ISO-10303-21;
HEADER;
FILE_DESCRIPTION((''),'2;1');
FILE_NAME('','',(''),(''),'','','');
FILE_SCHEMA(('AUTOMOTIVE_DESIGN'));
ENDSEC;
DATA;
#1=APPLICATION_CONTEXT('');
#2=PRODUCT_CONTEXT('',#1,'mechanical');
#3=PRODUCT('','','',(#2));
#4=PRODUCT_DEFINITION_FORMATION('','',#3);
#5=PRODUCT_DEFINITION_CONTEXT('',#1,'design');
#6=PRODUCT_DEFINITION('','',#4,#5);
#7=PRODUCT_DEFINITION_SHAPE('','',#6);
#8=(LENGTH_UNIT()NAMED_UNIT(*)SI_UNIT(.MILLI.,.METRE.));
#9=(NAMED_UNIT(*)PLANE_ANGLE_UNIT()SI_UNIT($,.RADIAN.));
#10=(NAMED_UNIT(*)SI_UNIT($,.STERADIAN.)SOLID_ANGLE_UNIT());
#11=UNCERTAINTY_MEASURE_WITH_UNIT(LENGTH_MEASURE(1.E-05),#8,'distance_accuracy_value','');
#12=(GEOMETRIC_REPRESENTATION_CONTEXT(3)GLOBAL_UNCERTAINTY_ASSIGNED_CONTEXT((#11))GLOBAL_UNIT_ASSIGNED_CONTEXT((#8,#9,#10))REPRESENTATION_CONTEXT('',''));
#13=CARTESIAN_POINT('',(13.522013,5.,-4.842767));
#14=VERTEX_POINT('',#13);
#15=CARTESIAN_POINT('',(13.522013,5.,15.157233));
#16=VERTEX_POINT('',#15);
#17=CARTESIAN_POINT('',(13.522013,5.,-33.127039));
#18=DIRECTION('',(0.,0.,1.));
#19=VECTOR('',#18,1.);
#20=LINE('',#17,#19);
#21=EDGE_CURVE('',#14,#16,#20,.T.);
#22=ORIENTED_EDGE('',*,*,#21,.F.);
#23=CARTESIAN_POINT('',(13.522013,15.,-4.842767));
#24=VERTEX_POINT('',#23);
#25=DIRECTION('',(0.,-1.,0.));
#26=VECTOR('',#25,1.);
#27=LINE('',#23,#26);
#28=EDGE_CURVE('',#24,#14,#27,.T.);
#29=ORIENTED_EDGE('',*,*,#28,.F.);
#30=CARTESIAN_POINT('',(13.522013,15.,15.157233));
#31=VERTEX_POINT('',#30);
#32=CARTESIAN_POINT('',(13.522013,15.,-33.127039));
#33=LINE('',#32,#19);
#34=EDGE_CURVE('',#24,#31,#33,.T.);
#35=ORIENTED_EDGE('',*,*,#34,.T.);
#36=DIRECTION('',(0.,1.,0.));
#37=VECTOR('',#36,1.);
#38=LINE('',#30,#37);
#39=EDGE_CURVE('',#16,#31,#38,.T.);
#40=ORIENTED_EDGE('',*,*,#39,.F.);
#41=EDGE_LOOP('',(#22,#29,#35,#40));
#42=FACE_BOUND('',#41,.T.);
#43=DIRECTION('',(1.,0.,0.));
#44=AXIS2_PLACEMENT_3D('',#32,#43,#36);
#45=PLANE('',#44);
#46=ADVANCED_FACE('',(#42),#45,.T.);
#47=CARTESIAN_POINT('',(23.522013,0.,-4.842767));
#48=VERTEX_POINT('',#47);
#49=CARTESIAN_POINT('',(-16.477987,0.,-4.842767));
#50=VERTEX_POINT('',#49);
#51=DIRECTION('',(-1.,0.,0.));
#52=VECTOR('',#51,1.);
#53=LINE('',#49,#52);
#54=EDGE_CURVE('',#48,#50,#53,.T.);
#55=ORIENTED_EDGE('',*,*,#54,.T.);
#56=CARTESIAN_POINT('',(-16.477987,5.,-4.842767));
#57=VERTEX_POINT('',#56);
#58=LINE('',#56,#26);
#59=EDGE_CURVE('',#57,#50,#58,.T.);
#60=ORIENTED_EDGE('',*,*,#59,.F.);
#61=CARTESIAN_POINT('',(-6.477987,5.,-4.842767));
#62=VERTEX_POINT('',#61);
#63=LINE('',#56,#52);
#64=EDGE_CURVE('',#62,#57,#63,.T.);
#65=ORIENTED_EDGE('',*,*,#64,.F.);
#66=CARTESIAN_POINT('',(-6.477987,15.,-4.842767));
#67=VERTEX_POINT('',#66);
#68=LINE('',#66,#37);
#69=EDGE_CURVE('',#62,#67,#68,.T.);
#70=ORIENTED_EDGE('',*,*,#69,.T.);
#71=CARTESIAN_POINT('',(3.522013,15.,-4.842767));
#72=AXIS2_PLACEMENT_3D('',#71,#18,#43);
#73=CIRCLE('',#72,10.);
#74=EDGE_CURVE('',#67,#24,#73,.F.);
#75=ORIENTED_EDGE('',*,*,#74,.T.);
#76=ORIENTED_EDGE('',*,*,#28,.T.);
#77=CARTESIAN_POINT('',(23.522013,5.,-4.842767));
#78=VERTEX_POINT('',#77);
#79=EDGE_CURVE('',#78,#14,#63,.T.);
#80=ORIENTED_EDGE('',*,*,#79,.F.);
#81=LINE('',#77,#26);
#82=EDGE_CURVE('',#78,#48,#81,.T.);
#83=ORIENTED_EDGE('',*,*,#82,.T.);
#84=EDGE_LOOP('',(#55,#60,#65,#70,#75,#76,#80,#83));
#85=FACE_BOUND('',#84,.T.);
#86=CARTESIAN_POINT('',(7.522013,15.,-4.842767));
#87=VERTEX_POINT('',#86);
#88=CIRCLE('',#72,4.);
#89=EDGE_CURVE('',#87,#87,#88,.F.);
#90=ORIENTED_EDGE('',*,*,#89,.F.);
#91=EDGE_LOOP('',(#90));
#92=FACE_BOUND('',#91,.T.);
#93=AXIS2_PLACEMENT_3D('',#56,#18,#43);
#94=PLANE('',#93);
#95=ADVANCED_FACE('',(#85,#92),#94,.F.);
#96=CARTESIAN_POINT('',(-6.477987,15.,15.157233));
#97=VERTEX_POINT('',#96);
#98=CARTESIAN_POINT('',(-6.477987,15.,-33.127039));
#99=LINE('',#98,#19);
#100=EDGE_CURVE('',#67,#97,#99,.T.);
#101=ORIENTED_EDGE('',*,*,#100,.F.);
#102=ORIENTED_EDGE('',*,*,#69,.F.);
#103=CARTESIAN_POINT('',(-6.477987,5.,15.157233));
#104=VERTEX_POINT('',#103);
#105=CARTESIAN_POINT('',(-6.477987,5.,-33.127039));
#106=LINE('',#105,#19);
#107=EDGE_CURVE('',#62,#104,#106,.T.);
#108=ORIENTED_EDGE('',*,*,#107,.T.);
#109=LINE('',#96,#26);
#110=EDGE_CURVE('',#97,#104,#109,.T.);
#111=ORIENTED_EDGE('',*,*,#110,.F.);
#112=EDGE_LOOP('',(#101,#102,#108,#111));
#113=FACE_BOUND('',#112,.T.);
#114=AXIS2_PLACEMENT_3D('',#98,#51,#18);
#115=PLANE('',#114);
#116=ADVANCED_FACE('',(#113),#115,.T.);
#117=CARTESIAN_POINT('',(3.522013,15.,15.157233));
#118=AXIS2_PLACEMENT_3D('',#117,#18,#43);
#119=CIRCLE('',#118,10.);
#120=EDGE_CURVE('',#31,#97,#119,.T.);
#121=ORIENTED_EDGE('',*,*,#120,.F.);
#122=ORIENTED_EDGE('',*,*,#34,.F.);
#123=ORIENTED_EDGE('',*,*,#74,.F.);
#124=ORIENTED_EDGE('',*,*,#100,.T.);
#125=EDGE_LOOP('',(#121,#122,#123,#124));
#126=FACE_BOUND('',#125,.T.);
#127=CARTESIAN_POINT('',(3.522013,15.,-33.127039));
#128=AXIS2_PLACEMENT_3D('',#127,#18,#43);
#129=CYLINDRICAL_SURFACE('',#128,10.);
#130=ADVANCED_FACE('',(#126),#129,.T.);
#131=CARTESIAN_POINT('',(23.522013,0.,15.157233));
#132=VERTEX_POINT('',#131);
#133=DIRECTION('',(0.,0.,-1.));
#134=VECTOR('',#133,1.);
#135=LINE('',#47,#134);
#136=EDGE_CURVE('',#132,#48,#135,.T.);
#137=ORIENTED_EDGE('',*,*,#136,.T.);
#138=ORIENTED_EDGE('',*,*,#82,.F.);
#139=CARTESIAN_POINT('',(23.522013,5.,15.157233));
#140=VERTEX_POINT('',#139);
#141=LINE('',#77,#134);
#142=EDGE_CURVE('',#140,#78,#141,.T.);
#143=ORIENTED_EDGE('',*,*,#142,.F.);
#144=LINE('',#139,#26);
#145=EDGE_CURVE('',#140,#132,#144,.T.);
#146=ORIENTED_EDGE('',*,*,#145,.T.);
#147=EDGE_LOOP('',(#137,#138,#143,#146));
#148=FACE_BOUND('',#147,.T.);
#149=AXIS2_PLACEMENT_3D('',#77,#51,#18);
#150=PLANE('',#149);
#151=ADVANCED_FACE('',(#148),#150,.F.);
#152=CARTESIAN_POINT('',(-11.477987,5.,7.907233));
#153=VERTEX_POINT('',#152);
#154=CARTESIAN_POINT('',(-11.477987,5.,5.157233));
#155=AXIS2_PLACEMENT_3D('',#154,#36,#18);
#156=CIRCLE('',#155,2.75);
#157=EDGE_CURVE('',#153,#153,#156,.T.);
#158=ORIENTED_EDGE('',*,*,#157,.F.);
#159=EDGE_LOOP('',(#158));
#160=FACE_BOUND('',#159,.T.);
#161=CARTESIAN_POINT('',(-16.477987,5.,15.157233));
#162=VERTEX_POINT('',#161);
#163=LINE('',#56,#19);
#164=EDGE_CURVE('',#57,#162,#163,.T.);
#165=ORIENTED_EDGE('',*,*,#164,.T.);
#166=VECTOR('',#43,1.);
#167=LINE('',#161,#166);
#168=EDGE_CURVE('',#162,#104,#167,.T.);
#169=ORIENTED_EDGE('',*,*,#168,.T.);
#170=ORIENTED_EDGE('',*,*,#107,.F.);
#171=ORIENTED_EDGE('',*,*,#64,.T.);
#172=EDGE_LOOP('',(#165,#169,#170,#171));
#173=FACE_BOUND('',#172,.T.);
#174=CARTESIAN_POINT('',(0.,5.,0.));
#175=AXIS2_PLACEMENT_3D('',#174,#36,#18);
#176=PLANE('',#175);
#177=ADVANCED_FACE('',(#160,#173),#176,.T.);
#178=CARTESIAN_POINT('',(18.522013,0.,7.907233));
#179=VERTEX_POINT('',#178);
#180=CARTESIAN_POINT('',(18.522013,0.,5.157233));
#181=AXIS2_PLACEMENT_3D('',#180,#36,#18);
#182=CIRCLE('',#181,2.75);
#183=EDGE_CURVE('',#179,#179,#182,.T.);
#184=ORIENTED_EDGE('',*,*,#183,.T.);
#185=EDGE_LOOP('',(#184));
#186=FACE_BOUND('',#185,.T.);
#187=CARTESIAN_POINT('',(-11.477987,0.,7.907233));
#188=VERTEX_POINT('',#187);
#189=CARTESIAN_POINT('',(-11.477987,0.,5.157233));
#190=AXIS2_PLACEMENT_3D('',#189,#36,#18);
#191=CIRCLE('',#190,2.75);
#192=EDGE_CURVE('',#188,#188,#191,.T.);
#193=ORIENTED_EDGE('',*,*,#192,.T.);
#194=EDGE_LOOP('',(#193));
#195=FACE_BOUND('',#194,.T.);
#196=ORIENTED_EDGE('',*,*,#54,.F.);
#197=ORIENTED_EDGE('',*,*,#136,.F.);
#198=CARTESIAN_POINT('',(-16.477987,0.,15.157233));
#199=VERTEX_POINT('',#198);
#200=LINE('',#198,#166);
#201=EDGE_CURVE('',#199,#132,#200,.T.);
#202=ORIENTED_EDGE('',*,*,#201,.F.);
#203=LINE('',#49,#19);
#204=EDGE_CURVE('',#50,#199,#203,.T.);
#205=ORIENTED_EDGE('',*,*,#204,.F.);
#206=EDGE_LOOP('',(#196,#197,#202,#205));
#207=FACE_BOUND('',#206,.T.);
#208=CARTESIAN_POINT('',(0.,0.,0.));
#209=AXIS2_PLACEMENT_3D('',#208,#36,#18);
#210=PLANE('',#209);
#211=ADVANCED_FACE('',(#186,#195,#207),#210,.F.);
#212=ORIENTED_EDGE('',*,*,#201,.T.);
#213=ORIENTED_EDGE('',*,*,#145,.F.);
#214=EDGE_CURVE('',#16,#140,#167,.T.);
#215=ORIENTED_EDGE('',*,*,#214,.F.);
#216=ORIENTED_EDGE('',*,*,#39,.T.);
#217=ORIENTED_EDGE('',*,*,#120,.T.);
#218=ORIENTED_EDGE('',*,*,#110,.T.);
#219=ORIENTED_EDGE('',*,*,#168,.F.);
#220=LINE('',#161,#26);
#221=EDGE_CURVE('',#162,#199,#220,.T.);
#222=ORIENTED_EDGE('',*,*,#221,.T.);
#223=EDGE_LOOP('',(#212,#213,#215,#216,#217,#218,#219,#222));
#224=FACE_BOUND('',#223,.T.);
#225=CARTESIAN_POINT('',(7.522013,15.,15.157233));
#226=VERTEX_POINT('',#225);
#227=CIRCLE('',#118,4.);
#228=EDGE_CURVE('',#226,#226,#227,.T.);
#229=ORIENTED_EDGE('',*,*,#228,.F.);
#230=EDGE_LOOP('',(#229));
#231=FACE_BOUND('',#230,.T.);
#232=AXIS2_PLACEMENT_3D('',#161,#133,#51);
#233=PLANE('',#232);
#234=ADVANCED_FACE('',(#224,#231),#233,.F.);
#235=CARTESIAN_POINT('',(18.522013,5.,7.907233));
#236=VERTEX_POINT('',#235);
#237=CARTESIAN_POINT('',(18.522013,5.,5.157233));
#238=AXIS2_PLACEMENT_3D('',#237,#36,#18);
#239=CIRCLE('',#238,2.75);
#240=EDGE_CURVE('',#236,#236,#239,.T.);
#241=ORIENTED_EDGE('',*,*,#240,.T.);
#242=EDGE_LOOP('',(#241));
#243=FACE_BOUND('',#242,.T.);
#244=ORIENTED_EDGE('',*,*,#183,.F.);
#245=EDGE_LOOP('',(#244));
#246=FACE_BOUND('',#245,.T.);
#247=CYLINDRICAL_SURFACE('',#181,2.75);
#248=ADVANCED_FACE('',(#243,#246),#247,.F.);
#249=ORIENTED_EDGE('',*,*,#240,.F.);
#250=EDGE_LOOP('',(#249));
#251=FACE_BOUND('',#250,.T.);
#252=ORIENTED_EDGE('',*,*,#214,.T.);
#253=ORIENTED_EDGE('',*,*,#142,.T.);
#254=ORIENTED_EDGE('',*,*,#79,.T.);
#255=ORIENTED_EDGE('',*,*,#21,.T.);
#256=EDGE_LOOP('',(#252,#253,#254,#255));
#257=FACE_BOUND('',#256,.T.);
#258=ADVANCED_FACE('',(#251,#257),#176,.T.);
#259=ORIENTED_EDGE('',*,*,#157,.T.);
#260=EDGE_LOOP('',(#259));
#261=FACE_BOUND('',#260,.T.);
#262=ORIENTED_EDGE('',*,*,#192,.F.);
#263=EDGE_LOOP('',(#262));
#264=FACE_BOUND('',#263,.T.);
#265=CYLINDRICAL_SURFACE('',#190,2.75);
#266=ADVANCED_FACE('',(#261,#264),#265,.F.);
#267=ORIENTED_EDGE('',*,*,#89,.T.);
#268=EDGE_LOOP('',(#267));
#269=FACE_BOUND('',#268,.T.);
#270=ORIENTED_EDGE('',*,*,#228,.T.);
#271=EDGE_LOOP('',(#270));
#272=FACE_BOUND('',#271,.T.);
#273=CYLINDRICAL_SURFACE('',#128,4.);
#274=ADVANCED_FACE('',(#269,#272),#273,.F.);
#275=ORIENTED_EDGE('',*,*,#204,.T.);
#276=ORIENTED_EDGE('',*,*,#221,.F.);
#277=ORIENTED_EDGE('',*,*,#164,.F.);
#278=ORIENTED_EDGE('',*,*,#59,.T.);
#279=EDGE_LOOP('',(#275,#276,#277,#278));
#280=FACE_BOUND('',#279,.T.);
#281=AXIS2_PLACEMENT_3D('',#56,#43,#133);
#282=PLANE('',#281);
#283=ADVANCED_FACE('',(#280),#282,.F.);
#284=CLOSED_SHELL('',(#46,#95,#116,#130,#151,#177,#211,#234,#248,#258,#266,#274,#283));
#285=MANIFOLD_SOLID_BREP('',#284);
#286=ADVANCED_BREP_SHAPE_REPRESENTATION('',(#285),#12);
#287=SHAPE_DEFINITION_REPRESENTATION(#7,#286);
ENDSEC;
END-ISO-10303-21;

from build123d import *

# Parameters (mm, degrees)
SKETCH_1_W          = 40
SKETCH_1_H          = 20
EXTRUDE_1_DEPTH     = 5
SKETCH_2_R          = 4
EXTRUDE_2_DEPTH     = 20
SKETCH_3_R          = 2.75
CUT_EXTRUDE_1_DEPTH = 35.395156331


with BuildPart() as part:
    # 草图1 → 凸台-拉伸1 (new body)
    with BuildSketch(Plane(origin=(0, 0, 0), x_dir=(1, 0, 0), z_dir=(0, 1, 0))):
        with Locations((3.522012579, -5.157232704)):
            Rectangle(SKETCH_1_W, SKETCH_1_H)
    extrude(amount=EXTRUDE_1_DEPTH)

    # 草图2 → 凸台-拉伸2 (add)
    with BuildSketch(Plane.XY.offset(15.157232704)):
        with BuildLine():
            Line((-6.477987421, 15), (-6.477987421, 5))
            Line((-6.477987421, 5), (13.522012579, 5))
            Line((13.522012579, 5), (13.522012579, 15))
            ThreePointArc((13.522012579, 15), (3.522012579, 25), (-6.477987421, 15))
        make_face()
        with Locations((3.522012579, 15)):
            Circle(SKETCH_2_R, mode=Mode.SUBTRACT)
    extrude(amount=-EXTRUDE_2_DEPTH)

    # 草图3 → 切除-拉伸1 (cut, through all)
    with BuildSketch(Plane(origin=(0, 5, 0), x_dir=(1, 0, 0), z_dir=(0, 1, 0))):
        with Locations(Location((-11.477987421, -5.157232704, 0), (0, 0, 270))):
            Circle(SKETCH_3_R)
        with Locations(Location((18.522012579, -5.157232704, 0), (0, 0, 270))):
            Circle(SKETCH_3_R)
    extrude(amount=-CUT_EXTRUDE_1_DEPTH, mode=Mode.SUBTRACT)


solid = part.part
